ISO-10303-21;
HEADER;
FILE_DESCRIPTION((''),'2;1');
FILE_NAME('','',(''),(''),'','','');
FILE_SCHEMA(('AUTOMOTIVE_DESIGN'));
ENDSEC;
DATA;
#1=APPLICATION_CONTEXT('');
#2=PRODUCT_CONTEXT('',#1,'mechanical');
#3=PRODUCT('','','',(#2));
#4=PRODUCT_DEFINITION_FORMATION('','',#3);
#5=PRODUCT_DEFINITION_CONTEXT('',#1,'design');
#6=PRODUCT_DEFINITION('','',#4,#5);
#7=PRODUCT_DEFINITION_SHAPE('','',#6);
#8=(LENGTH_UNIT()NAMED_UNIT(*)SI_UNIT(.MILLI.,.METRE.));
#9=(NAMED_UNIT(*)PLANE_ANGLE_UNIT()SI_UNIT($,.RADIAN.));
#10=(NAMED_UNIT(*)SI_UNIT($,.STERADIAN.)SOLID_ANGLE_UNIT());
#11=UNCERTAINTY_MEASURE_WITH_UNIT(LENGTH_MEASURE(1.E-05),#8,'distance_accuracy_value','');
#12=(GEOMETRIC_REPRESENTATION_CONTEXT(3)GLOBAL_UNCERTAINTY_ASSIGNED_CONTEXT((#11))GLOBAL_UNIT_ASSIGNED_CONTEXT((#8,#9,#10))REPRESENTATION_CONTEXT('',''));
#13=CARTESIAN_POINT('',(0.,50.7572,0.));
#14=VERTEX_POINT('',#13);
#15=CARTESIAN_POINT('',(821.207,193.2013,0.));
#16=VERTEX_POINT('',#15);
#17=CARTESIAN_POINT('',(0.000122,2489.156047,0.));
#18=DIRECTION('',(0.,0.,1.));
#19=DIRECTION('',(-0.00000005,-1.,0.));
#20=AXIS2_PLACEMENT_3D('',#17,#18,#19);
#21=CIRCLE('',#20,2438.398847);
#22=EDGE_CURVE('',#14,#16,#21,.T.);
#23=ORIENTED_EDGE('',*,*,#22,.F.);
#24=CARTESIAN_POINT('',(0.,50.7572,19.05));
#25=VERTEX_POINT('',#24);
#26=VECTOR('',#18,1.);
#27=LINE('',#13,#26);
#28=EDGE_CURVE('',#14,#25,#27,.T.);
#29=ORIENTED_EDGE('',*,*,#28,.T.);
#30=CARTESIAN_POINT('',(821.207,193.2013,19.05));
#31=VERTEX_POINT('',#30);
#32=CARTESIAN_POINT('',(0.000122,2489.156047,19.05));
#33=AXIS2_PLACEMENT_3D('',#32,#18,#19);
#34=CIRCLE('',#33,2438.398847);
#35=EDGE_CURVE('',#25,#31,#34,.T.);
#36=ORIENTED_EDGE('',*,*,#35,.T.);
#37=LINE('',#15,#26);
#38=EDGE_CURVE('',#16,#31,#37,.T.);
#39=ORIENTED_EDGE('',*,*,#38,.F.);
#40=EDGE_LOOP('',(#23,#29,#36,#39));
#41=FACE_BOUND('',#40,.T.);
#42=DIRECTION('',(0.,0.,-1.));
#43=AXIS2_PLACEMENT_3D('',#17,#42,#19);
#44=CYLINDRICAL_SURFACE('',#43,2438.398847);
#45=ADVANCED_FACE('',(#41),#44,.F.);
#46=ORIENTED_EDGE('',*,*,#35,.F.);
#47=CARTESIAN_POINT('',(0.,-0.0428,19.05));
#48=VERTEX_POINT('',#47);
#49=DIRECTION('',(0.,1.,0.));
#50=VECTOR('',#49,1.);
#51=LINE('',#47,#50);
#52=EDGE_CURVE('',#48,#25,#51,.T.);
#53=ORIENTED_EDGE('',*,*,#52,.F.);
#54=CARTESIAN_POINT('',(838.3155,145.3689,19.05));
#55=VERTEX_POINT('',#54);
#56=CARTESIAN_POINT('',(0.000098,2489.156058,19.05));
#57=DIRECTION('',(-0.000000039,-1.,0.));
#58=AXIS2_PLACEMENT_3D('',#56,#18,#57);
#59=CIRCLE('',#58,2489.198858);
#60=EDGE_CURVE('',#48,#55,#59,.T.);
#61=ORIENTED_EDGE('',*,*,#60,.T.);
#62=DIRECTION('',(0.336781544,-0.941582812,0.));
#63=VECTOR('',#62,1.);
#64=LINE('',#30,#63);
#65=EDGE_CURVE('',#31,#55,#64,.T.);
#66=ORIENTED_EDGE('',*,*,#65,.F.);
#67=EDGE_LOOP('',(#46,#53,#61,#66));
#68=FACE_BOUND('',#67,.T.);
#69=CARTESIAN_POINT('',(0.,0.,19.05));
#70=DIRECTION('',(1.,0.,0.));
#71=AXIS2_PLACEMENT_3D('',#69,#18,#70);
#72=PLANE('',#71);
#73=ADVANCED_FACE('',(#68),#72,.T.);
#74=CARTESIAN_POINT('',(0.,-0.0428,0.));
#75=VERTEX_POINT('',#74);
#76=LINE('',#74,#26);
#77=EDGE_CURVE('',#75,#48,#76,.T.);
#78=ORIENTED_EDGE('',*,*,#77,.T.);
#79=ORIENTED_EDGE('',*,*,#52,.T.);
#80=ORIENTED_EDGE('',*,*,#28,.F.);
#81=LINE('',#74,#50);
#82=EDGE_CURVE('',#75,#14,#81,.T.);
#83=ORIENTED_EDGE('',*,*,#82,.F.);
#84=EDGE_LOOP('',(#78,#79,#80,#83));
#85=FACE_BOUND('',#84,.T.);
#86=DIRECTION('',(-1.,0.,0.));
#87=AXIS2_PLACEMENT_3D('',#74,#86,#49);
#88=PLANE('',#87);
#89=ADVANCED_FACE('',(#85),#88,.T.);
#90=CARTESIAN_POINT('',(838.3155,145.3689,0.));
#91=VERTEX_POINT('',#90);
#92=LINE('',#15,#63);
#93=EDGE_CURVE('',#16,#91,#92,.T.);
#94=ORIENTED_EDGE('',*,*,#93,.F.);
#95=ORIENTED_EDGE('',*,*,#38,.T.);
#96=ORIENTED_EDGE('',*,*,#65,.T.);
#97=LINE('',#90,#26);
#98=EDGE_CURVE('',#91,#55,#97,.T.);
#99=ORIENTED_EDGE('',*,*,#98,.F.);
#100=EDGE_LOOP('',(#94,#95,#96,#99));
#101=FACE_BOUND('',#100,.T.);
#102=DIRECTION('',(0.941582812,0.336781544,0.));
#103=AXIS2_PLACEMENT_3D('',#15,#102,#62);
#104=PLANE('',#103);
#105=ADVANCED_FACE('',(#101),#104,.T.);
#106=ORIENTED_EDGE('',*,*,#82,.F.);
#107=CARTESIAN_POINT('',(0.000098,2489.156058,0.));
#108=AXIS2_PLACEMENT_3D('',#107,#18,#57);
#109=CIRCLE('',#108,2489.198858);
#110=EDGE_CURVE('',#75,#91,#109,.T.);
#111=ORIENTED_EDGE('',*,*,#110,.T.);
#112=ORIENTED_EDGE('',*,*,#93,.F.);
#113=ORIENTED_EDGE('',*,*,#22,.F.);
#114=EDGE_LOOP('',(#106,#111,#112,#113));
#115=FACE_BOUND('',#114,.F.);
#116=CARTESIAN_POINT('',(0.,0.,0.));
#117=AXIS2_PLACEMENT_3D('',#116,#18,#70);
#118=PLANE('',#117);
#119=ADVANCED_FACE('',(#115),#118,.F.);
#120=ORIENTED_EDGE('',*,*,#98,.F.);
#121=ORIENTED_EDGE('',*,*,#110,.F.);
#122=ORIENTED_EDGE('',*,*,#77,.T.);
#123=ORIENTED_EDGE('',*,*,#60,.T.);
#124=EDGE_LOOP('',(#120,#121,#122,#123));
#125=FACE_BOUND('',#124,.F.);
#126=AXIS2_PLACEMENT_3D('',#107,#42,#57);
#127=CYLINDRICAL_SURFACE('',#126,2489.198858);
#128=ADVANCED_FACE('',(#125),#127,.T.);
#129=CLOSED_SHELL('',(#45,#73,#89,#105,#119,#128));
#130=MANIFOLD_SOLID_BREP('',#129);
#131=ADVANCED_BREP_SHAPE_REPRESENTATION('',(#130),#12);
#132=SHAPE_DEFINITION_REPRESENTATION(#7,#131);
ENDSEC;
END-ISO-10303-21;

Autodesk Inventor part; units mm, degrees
ref_plane "YZ Plane" through (0, 0, 0) normal (1, 0, 0) x (0, 1, 0)
ref_plane "XZ Plane" through (0, 0, 0) normal (0, 1, 0) x (-1, 0, 0)
ref_plane "XY Plane" through (0, 0, 0) normal (0, 0, 1) x (1, 0, 0)
sketch "Sketch1" plane through (0, 0, 0) normal (0, 0, 1) x (1, 0, 0)
  arc A0 (0, -0.0428) -> (838.3155, 145.3689) centre (0, 2489.1572) ccw
  line L0 (0, -0.0428) -> (0, 50.7572)
  arc A1 (0, 50.7572) -> (821.207, 193.2013) centre (0.0001, 2489.1563) ccw
  line L1 (821.207, 193.2013) -> (838.3155, 145.3689)
  point P0 (0, 0)
extrude "Extrusion1" add sketch "Sketch1" along normal blind 19.05
properties part number "nd-f"
